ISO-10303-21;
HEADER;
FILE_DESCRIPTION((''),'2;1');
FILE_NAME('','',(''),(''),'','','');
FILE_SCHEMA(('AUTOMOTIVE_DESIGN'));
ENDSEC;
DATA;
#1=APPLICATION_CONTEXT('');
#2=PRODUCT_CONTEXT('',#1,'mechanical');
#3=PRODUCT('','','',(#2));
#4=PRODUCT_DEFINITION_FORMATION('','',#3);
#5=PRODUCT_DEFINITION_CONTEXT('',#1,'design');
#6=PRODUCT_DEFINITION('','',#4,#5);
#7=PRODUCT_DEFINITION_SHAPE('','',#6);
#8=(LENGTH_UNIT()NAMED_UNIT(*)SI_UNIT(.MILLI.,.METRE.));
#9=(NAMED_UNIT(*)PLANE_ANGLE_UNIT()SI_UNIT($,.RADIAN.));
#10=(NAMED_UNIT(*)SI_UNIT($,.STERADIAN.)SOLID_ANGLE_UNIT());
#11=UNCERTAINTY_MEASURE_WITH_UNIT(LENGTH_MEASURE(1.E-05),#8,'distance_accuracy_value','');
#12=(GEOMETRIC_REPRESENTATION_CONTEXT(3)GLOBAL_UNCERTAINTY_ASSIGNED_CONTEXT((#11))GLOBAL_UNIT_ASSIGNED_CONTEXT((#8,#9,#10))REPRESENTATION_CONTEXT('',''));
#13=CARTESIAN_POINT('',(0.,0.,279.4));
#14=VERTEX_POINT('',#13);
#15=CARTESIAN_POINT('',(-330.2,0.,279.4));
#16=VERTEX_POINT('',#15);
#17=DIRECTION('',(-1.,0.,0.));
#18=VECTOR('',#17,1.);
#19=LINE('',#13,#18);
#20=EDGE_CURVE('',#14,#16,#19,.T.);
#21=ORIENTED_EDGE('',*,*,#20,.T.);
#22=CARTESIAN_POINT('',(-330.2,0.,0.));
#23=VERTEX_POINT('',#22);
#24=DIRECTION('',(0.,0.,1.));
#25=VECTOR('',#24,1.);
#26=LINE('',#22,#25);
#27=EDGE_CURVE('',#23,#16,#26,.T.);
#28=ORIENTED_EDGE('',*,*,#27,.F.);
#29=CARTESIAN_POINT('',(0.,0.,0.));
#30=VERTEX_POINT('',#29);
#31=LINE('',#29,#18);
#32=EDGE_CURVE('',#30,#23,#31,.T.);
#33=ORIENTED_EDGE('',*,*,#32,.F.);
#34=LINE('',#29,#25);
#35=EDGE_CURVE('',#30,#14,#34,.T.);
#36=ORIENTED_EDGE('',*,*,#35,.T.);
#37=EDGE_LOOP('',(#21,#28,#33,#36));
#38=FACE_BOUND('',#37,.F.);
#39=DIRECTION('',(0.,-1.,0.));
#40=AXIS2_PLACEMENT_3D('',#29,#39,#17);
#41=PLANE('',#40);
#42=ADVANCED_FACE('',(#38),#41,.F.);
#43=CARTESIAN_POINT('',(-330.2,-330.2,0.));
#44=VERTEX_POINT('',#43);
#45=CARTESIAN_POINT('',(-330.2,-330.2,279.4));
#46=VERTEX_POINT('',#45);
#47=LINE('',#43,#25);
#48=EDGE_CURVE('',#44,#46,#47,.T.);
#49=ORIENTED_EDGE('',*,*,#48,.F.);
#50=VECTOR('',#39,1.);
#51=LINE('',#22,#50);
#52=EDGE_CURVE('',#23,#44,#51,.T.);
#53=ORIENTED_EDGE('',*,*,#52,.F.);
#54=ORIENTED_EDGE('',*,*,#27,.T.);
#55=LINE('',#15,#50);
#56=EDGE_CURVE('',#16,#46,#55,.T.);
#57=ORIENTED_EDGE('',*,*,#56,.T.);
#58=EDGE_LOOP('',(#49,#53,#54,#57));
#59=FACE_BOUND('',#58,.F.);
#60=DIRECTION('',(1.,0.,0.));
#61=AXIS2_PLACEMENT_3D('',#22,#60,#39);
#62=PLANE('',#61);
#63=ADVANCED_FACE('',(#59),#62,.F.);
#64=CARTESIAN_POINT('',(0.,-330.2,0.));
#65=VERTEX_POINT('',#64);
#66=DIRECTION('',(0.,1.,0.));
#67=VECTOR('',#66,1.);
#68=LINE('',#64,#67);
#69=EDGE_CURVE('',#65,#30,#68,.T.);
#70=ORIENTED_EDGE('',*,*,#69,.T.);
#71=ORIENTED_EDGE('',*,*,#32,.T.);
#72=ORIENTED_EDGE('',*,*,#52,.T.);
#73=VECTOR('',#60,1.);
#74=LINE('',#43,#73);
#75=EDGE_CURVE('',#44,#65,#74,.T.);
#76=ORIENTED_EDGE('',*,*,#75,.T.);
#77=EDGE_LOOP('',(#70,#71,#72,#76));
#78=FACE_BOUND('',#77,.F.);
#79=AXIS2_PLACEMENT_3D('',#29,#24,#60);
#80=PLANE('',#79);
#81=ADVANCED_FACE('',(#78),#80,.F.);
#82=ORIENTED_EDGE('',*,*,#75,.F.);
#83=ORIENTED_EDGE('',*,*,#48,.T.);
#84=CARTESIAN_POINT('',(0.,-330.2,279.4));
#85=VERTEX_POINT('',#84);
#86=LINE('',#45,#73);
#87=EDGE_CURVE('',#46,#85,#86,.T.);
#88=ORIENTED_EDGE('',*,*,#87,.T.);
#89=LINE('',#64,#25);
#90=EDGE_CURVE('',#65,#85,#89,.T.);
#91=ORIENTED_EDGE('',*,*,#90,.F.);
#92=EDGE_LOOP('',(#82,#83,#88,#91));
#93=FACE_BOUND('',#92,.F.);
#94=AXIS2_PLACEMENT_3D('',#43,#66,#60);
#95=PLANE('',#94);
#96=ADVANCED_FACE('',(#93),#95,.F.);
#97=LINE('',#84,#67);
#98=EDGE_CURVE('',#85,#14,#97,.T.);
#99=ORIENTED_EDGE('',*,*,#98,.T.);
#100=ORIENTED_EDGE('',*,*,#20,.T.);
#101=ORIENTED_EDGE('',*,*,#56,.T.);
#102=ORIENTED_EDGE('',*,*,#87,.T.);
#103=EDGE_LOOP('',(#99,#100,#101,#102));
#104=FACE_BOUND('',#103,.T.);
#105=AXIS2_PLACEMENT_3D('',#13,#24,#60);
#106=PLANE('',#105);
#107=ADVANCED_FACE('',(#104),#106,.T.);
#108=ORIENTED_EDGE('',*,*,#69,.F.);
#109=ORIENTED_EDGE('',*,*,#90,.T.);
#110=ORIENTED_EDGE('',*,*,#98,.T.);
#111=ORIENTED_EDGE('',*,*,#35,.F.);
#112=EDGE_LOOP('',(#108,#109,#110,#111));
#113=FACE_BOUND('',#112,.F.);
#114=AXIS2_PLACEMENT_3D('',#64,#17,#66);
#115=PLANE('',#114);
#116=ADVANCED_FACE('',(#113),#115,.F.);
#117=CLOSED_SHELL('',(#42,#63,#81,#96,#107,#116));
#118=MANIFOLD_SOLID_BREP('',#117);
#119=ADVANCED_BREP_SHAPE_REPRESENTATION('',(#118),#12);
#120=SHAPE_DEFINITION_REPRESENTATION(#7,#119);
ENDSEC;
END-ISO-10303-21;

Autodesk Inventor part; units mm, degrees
ref_plane "YZ Plane" through (0, 0, 0) normal (1, 0, 0) x (0, 1, 0)
ref_plane "XZ Plane" through (0, 0, 0) normal (0, 1, 0) x (-1, 0, 0)
ref_plane "XY Plane" through (0, 0, 0) normal (0, 0, 1) x (1, 0, 0)
sketch "Sketch1" plane through (0, 0, 0) normal (0, 0, 1) x (1, 0, 0)
  line L0 (0, 0) -> (-330.2, 0)
  line L1 (-330.2, 0) -> (-330.2, -330.2)
  line L2 (-330.2, -330.2) -> (0, -330.2)
  line L3 (0, -330.2) -> (0, 0)
  dimension "d0" = 330.2
  dimension "d1" = 330.2
extrude "Extrusion1" add sketch "Sketch1" along normal blind 279.4
sketch "Sketch2" plane through (0, 0, 0) normal (0, 0, -1) x (-1, 0, 0)
  line L0 (22.1452, -202.8313) -> (121.2225, -202.8313) construction
  line L1 (121.2225, -202.8313) -> (121.2225, -254.2067) construction
  line L2 (121.2225, -254.2067) -> (22.1452, -254.2067) construction
  line L3 (22.1452, -254.2067) -> (22.1452, -202.8313) construction
  point P0 (0, 0)
properties part number "Power Cube"
